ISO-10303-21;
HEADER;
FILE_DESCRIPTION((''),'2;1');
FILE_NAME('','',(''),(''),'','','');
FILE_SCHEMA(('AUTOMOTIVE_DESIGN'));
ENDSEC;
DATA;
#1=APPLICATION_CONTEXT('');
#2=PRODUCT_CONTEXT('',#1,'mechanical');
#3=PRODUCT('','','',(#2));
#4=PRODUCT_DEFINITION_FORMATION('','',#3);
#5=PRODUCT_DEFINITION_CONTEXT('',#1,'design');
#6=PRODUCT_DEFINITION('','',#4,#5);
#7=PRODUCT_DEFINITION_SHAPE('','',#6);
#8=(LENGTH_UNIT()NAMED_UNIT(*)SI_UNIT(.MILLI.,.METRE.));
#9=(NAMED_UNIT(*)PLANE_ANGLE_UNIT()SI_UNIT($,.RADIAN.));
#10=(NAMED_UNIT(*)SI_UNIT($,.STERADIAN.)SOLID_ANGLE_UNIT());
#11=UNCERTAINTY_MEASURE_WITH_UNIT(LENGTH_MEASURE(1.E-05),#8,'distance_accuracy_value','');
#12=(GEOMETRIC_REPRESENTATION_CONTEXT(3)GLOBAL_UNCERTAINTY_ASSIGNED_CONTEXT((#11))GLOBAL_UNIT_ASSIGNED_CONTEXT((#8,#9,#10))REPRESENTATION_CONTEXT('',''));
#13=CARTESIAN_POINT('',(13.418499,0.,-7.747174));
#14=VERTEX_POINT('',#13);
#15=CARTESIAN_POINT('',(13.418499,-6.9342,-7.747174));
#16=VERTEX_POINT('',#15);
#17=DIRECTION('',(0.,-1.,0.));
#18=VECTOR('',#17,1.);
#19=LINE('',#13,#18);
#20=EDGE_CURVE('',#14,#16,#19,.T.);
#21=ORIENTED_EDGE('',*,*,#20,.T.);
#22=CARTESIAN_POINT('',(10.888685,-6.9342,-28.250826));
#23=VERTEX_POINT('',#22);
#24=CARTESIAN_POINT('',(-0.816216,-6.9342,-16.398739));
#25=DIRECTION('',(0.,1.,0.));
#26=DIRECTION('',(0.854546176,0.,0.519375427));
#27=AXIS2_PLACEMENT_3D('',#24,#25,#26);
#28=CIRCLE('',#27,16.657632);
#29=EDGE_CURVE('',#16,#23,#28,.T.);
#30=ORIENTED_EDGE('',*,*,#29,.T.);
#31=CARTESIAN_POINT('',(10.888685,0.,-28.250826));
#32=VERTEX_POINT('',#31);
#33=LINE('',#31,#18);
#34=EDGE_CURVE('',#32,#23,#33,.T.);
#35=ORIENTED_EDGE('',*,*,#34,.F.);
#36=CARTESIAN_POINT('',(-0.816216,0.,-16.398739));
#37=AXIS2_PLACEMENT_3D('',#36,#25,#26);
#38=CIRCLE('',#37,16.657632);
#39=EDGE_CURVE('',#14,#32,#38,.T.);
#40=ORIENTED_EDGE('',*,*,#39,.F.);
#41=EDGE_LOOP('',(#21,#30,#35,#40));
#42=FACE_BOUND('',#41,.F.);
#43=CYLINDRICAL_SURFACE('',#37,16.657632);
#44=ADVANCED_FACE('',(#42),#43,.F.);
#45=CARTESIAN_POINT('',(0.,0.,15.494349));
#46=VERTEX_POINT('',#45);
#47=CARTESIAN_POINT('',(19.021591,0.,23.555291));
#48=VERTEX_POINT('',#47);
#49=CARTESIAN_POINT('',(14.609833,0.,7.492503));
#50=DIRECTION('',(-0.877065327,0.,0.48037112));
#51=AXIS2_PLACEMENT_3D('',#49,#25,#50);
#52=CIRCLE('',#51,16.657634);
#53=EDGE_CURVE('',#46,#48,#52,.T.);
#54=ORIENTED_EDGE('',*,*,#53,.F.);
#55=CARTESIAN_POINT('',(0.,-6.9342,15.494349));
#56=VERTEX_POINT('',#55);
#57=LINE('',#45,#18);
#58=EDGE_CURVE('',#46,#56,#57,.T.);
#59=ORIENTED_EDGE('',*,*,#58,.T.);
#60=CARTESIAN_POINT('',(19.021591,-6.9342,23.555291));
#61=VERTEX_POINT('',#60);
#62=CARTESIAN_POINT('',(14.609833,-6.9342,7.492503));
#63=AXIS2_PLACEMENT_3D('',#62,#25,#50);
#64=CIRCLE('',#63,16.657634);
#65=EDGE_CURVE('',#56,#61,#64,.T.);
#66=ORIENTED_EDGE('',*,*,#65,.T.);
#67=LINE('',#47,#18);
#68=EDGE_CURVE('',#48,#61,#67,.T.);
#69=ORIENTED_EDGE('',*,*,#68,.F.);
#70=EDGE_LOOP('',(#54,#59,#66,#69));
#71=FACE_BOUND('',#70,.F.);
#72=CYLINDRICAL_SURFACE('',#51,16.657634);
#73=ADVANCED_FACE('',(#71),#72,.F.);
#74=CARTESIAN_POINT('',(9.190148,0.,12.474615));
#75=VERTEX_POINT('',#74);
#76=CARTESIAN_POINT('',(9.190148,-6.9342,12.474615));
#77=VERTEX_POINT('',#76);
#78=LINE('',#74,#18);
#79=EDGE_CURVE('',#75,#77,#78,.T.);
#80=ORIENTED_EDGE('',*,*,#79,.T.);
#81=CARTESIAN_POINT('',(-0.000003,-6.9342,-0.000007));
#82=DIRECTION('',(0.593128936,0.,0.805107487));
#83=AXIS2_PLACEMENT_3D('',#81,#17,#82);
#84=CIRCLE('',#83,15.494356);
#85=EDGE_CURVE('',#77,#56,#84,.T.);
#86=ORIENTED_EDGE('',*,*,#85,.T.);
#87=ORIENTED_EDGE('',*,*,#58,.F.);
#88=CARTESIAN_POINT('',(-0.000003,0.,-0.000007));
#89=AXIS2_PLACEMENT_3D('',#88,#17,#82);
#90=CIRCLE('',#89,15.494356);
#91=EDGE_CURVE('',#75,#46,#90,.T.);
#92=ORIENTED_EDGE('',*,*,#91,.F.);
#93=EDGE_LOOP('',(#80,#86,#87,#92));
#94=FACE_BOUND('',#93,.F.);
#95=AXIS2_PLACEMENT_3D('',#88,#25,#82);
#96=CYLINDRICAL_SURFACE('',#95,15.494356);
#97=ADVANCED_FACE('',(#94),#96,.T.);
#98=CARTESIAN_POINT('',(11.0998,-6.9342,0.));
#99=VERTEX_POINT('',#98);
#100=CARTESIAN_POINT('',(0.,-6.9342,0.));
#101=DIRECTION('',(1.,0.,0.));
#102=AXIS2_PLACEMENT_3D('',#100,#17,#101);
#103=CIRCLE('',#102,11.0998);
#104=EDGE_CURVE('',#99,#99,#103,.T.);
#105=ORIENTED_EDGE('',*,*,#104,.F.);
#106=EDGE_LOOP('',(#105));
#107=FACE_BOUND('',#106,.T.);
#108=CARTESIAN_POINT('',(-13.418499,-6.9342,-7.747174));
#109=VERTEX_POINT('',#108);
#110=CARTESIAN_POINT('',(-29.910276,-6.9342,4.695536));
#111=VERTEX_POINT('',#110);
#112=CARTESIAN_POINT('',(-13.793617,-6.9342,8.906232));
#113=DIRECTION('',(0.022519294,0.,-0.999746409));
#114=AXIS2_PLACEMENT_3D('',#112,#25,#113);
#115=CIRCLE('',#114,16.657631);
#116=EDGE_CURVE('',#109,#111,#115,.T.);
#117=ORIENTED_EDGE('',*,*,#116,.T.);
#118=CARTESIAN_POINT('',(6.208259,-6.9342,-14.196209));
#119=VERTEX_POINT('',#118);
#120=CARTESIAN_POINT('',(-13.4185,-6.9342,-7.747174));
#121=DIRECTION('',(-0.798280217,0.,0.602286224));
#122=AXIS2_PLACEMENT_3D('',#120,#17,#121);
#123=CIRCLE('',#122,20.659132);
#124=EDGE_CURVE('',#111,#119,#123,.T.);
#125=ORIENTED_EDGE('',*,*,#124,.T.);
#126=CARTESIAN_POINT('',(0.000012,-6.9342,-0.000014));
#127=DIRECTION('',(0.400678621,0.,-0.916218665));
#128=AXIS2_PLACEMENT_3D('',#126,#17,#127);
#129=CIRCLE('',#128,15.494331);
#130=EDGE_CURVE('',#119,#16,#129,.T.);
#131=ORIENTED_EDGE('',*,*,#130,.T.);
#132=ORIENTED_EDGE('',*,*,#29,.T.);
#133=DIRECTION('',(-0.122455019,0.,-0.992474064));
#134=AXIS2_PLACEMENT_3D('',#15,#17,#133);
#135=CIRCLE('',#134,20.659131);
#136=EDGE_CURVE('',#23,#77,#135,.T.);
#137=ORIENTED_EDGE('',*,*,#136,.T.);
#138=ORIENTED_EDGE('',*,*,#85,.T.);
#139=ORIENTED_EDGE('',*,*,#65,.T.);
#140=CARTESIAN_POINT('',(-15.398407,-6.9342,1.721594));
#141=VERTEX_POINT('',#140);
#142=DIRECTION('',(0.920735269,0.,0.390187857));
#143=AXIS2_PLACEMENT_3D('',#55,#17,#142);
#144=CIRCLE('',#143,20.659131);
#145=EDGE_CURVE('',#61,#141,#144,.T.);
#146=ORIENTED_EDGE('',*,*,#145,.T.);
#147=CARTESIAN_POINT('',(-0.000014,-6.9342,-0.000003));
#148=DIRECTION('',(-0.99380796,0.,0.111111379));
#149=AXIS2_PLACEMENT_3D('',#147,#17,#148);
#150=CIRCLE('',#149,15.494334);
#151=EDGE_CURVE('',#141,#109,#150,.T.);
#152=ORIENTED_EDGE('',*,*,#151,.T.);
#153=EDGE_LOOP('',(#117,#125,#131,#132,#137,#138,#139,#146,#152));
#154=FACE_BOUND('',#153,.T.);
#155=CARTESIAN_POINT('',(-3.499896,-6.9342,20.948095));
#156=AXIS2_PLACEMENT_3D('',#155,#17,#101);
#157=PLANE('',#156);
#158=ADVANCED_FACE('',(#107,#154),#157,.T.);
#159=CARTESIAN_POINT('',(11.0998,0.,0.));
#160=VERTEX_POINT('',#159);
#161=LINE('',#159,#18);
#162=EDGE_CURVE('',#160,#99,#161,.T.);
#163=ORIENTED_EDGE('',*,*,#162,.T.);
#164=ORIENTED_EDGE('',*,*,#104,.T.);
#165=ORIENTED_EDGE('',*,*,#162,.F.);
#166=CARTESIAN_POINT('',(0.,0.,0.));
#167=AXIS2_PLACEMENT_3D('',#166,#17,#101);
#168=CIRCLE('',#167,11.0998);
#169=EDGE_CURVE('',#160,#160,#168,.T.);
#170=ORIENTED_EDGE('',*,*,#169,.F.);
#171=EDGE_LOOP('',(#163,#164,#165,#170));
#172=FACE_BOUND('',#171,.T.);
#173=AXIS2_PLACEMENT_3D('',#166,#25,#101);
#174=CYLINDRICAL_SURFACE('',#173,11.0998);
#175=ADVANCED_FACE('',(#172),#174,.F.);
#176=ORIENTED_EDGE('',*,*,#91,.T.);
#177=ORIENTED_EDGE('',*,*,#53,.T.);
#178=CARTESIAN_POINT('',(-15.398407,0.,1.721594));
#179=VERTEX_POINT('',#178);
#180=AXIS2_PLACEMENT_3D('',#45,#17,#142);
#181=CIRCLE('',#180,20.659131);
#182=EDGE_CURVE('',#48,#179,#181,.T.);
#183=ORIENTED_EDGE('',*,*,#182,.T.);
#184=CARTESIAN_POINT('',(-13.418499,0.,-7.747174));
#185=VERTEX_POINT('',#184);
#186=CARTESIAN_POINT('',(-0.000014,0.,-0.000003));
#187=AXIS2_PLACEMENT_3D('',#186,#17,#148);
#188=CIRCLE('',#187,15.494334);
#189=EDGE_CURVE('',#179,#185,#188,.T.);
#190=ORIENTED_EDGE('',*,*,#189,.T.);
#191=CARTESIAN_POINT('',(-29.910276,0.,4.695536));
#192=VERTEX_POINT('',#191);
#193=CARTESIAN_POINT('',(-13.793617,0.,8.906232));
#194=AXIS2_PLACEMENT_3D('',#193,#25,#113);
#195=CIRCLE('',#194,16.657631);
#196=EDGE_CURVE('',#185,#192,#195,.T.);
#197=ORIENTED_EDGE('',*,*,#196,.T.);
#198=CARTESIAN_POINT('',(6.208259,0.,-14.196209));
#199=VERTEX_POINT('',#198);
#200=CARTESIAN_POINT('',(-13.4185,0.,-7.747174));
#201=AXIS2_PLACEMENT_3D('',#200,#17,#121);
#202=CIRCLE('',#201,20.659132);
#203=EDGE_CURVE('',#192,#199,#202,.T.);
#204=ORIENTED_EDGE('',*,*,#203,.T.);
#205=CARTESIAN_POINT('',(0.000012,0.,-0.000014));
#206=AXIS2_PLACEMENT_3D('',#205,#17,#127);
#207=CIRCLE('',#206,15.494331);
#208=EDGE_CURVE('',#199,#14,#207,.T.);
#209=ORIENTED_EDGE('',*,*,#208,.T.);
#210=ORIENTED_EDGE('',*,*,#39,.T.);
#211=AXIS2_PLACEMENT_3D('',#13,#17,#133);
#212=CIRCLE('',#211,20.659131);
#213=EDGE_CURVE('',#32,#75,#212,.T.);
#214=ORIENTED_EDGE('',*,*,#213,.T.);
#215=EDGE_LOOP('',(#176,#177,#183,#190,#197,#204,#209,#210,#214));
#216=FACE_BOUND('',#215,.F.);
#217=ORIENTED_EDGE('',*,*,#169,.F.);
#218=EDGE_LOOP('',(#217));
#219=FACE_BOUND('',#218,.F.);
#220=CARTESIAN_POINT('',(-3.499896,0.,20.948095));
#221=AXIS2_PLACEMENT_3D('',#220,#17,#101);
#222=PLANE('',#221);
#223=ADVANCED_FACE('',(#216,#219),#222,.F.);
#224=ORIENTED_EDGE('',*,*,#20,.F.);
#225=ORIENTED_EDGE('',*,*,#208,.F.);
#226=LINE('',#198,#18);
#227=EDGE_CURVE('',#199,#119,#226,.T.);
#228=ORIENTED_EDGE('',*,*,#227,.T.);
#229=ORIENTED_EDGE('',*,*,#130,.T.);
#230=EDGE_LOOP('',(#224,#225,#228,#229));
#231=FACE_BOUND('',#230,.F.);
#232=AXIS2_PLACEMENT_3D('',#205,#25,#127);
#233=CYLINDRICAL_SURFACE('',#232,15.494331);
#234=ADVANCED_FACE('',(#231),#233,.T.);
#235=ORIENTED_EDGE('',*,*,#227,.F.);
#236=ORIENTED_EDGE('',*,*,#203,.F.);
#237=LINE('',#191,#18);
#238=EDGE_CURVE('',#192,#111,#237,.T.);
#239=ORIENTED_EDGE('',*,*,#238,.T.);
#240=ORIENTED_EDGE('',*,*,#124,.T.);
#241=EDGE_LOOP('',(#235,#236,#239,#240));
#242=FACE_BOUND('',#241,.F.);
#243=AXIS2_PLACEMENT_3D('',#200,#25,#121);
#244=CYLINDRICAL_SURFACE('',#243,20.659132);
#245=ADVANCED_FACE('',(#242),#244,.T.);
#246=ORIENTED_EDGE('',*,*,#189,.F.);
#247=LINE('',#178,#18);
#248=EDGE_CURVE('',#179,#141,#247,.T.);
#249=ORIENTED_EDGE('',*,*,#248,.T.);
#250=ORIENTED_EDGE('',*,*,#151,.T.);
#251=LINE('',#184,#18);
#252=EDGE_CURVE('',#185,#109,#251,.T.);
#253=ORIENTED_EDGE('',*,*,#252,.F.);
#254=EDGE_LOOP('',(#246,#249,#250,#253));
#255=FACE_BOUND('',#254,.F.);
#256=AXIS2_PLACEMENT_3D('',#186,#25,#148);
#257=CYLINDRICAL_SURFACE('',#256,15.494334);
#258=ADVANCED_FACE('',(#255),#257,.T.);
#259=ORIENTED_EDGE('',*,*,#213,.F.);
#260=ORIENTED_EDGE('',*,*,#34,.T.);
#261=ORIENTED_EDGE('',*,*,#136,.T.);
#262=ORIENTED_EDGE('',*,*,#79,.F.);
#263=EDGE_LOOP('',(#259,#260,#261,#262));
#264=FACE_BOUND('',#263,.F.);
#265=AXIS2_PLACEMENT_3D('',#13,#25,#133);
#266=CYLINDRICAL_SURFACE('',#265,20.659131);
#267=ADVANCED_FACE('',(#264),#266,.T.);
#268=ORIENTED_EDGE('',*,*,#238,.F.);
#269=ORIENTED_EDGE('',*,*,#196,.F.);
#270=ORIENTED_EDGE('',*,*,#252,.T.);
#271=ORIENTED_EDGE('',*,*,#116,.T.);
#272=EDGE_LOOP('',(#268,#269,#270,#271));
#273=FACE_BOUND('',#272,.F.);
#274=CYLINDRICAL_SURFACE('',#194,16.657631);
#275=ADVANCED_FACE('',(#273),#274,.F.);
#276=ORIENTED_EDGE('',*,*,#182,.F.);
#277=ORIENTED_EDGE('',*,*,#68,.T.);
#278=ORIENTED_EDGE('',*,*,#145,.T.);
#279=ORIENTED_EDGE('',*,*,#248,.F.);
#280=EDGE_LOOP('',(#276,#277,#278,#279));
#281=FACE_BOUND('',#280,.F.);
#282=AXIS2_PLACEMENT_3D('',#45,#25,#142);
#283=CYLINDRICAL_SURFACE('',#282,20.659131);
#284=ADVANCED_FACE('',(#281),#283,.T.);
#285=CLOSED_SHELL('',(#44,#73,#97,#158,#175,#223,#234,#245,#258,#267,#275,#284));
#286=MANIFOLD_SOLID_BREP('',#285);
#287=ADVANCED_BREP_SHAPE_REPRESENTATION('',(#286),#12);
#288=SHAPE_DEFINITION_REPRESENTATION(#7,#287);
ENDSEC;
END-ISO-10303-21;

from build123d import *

# Parameters (mm, degrees)
F0_R     = 11.0998
F1_DEPTH = 6.9342


with BuildPart() as f1:
    # F0 (on Front) → F1 (new body)
    with BuildSketch(Plane.XZ):
        with BuildLine():
            ThreePointArc((-15.398407, 1.721594), (-10.329566, 11.548806), (0, 15.494349))
            ThreePointArc((0, 15.494349), (8.110227, 22.829774), (19.021591, 23.555291))
            ThreePointArc((19.021591, 23.555291), (-11.066139, 32.9397), (-15.398407, 1.721594))
        make_face()
        with BuildLine():
            ThreePointArc((9.190148, 12.474615), (13.828778, 6.988543), (15.494349, 0))
            ThreePointArc((15.494349, 0), (14.966391, -4.010232), (13.418499, -7.747174))
            ThreePointArc((13.418499, -7.747174), (15.716051, -18.438549), (10.888685, -28.250826))
            ThreePointArc((10.888685, -28.250826), (34.059686, -6.886292), (9.190148, 12.474615))
        make_face()
        with BuildLine():
            ThreePointArc((13.418499, -7.747174), (14.966391, -4.010232), (15.494349, 0))
            ThreePointArc((15.494349, 0), (13.828778, 6.988543), (9.190148, 12.474615))
            ThreePointArc((9.190148, 12.474615), (4.836776, 14.720069), (0, 15.494349))
            ThreePointArc((0, 15.494349), (-10.329566, 11.548806), (-15.398407, 1.721594))
            ThreePointArc((-15.398407, 1.721594), (-15.166342, -3.171264), (-13.418499, -7.747174))
            ThreePointArc((-13.418499, -7.747174), (-4.836776, -14.720069), (6.208259, -14.196209))
            ThreePointArc((6.208259, -14.196209), (10.329566, -11.548806), (13.418499, -7.747174))
        make_face()
        Circle(F0_R, mode=Mode.SUBTRACT)
        with BuildLine():
            ThreePointArc((-29.910276, 4.695536), (-22.993547, -26.053408), (6.208259, -14.196209))
            ThreePointArc((6.208259, -14.196209), (-4.836776, -14.720069), (-13.418499, -7.747174))
            ThreePointArc((-13.418499, -7.747174), (-23.826278, -4.391225), (-29.910276, 4.695536))
        make_face()
    extrude(amount=F1_DEPTH)


solid = f1.part
